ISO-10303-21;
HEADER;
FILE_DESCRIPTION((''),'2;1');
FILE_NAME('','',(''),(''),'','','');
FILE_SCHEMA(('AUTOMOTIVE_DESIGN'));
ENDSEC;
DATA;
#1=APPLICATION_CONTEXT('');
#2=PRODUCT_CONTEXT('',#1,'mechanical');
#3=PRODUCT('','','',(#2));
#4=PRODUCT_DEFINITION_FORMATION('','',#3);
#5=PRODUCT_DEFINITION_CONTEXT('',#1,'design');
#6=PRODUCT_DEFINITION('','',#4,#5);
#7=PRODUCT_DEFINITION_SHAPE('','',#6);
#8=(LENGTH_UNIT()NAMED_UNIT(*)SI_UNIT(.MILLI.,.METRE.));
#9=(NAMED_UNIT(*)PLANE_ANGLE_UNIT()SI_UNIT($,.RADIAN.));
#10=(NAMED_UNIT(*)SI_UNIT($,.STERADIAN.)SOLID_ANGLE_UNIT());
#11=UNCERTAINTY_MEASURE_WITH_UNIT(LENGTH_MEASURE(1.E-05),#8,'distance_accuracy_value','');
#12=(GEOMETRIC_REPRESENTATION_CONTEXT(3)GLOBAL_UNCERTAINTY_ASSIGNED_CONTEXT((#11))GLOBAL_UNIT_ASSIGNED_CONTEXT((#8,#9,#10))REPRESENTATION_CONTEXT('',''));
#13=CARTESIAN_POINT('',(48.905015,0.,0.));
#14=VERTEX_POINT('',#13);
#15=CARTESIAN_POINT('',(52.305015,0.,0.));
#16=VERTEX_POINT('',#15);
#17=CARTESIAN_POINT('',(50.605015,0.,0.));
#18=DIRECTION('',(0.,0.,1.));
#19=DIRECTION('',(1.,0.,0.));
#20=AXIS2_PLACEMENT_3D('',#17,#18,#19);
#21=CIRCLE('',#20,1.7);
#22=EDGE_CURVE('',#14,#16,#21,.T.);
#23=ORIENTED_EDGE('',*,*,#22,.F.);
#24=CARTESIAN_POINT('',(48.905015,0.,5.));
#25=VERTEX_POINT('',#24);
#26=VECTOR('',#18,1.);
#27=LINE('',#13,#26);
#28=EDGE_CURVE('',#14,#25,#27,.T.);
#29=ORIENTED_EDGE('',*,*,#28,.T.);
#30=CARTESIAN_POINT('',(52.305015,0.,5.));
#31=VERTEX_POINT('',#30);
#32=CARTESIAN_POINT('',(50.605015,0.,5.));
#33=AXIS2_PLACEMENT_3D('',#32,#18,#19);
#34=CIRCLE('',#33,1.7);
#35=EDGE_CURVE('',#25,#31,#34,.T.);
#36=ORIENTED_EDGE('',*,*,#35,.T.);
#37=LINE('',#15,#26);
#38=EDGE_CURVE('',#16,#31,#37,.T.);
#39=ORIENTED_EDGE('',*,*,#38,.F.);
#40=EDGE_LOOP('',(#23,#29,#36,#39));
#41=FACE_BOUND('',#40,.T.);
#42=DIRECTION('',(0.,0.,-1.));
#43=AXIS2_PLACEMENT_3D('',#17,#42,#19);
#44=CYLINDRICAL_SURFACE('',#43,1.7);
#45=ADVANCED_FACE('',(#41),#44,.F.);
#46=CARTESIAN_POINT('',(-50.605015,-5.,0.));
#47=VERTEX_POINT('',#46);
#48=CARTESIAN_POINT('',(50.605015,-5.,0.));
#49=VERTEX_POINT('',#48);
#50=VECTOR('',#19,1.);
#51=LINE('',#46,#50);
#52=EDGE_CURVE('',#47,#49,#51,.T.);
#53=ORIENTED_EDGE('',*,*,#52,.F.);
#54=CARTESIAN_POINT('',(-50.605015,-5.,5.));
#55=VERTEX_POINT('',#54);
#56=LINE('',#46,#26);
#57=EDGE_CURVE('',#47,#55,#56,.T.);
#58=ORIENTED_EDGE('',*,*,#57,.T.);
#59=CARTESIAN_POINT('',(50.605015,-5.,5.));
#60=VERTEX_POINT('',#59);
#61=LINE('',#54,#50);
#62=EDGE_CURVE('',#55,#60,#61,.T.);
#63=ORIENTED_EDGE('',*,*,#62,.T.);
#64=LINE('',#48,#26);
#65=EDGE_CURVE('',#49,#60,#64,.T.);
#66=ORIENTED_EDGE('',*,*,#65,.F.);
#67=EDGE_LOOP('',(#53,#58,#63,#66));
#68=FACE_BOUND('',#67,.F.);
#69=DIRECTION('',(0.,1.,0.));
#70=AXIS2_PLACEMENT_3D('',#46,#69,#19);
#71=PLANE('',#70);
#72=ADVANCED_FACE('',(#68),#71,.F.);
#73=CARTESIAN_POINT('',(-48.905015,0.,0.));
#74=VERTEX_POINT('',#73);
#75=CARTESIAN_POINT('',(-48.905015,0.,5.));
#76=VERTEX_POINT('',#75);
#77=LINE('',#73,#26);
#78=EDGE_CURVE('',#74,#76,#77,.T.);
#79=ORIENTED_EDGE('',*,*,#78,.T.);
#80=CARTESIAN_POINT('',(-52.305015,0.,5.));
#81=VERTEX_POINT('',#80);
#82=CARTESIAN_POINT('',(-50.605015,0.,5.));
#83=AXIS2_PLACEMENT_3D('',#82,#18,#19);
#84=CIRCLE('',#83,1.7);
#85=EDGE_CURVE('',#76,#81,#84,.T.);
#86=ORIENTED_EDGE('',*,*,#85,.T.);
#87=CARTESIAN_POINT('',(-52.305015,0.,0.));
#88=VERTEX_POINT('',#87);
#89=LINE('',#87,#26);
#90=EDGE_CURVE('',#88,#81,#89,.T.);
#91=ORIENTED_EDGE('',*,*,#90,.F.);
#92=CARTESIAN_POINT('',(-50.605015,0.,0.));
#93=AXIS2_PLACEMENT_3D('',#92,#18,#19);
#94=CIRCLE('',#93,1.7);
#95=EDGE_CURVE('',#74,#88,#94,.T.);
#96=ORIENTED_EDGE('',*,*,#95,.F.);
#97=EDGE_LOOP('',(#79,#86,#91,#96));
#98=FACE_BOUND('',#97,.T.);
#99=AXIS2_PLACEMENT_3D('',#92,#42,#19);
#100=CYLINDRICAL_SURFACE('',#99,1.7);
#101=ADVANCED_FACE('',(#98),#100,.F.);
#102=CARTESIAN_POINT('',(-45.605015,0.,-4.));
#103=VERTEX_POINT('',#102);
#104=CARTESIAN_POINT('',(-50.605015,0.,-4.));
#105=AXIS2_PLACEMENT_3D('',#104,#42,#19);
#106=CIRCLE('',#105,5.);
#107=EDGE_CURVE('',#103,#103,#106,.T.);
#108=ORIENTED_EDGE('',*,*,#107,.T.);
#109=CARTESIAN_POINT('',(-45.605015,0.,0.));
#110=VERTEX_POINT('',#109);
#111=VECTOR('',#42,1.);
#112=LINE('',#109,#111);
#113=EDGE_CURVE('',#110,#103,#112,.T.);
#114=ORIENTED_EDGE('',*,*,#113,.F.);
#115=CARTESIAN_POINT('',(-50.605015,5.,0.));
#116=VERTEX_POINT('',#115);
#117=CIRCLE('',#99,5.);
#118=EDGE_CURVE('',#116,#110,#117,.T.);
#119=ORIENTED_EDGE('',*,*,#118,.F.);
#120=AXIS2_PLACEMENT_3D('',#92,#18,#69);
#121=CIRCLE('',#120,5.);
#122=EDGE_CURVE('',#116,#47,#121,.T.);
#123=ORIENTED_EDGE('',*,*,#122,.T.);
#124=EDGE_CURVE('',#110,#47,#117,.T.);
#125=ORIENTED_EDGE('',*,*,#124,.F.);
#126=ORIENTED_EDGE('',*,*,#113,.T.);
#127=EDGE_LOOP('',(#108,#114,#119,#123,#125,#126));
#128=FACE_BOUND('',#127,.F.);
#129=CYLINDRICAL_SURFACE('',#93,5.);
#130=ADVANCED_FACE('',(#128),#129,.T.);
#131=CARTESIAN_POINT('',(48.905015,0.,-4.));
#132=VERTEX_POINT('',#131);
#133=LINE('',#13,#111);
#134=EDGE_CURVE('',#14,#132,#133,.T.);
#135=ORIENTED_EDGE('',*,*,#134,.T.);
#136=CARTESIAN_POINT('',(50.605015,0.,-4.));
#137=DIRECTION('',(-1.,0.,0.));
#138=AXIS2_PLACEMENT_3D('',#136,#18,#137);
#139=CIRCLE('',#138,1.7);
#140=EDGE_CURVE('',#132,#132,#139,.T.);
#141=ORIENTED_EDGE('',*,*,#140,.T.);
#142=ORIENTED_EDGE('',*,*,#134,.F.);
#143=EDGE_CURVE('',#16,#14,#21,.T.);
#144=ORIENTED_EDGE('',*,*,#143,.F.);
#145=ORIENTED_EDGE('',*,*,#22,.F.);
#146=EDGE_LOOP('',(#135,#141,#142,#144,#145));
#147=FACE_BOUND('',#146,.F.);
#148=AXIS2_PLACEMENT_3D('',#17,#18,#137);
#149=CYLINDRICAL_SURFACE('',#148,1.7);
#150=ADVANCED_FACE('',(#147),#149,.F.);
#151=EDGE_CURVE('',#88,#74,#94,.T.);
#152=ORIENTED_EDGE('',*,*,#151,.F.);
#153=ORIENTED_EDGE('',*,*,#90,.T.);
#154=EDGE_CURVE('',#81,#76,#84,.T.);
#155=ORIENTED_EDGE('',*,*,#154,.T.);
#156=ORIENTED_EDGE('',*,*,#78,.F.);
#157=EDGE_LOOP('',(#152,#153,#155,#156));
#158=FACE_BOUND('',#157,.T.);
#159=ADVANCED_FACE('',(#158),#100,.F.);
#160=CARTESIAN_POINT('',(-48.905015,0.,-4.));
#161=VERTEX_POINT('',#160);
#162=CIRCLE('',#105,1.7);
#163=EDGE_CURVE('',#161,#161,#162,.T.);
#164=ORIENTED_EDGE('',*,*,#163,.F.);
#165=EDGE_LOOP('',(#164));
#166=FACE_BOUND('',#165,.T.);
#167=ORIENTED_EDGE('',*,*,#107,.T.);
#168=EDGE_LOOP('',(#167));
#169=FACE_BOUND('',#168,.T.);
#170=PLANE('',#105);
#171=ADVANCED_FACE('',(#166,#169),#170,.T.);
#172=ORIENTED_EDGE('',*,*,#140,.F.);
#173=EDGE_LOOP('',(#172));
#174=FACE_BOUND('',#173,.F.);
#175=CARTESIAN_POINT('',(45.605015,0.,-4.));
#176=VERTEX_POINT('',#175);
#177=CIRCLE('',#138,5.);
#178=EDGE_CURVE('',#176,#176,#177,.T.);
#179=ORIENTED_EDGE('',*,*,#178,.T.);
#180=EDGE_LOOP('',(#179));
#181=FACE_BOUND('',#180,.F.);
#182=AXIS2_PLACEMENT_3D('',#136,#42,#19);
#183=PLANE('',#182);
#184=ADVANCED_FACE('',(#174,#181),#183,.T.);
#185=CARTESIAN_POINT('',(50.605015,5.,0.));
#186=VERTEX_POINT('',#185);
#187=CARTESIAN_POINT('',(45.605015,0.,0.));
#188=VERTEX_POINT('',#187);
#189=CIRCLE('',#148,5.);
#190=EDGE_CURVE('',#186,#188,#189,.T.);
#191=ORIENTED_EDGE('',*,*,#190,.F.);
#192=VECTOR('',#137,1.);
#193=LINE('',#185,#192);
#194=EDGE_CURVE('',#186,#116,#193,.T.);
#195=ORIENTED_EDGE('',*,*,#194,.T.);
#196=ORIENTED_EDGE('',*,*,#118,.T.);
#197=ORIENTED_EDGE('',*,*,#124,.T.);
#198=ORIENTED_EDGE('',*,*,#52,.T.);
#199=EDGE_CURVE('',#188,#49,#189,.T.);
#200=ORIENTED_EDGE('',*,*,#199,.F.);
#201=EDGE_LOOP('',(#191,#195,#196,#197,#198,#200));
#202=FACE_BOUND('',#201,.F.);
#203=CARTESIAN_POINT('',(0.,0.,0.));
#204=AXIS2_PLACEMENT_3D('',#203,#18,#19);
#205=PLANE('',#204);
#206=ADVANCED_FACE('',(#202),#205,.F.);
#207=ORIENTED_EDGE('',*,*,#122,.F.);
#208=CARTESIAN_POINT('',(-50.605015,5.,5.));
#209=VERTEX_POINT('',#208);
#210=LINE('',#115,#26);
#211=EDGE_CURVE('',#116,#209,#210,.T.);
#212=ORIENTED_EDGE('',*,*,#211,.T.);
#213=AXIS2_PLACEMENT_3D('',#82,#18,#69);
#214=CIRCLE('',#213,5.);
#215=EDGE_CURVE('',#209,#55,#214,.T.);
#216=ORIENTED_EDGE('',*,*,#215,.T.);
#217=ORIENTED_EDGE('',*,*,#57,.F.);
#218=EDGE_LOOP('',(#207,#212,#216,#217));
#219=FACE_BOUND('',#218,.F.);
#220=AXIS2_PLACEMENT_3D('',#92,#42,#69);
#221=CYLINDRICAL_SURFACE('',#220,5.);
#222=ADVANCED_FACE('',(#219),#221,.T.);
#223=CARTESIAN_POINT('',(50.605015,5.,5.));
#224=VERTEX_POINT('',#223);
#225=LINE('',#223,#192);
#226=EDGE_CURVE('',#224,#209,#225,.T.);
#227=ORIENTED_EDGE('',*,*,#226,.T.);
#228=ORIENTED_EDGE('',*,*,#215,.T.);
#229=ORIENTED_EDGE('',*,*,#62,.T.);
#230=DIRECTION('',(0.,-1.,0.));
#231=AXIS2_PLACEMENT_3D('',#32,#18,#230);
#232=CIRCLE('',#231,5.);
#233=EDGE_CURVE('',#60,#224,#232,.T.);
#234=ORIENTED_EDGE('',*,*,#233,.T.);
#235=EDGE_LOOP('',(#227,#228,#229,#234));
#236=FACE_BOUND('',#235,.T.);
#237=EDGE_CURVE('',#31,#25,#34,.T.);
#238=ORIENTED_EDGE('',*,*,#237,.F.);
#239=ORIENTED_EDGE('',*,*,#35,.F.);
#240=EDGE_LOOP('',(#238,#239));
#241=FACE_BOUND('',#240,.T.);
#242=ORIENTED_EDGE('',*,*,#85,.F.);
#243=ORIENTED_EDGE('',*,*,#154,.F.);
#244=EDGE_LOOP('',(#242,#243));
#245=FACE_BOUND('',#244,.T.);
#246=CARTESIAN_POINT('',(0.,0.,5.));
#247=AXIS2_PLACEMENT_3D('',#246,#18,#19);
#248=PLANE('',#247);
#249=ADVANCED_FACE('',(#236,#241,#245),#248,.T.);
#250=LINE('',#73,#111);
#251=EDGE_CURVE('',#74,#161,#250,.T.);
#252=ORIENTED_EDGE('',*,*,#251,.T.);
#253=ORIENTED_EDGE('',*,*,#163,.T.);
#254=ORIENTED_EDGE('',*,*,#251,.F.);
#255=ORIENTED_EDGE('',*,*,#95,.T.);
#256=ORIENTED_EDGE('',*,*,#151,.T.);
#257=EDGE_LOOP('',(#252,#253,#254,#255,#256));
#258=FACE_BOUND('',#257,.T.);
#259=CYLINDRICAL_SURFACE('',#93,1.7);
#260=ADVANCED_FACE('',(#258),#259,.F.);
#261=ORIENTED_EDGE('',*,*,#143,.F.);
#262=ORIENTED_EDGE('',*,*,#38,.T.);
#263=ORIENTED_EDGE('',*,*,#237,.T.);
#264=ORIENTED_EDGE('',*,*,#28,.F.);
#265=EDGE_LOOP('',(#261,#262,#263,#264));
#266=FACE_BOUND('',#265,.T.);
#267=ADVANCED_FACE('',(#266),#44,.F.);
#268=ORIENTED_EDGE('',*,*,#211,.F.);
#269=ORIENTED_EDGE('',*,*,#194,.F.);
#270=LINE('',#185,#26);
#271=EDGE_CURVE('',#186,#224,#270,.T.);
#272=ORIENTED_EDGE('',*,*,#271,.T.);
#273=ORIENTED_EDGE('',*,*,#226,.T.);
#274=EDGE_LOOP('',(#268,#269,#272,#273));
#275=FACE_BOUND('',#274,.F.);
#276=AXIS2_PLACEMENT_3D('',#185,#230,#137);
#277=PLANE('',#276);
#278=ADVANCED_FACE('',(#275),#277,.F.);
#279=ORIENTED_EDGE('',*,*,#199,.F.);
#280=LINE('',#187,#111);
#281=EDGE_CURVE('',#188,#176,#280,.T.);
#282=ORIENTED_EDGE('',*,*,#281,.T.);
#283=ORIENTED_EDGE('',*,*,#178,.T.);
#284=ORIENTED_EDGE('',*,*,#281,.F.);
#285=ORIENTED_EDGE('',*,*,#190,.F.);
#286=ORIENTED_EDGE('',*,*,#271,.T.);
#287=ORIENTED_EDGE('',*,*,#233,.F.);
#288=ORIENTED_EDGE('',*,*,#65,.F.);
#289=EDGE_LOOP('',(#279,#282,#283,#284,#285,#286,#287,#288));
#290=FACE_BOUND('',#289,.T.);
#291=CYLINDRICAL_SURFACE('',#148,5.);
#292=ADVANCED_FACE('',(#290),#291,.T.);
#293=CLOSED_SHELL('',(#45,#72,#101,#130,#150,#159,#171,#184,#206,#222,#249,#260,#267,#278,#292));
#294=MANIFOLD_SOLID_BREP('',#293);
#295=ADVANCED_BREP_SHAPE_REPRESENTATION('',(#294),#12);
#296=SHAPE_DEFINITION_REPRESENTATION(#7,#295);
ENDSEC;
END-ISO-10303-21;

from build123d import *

# Parameters (mm, degrees)
F0_R     = 1.7
F1_DEPTH = 5
F2_R     = 5
F2_R_2   = 1.7
F3_DEPTH = 4


with BuildPart() as f1:
    # F0 (on Top) → F1 (new body)
    with BuildSketch(Plane.XY):
        with BuildLine():
            Line((-50.605015, -5), (50.605015, -5))
            ThreePointArc((50.605015, -5), (55.605015, 0), (50.605015, 5))
            Line((50.605015, 5), (-50.605015, 5))
            ThreePointArc((-50.605015, 5), (-55.605015, 0), (-50.605015, -5))
        make_face()
        with Locations((-50.605015, 0)):
            Circle(F0_R, mode=Mode.SUBTRACT)
        with Locations((50.605015, 0)):
            Circle(F0_R, mode=Mode.SUBTRACT)
    extrude(amount=F1_DEPTH)

    # F2 (on face) → F3 (join)
    with BuildSketch(Plane(origin=(0, 0, 0), x_dir=(1, 0, 0), z_dir=(0, 0, -1))):
        with Locations((-50.605015, 0)):
            Circle(F2_R)
        with Locations((-50.605015, 0)):
            Circle(F2_R_2, mode=Mode.SUBTRACT)
    extrude(amount=F3_DEPTH)

    # F4: F1 across plane


with BuildPart() as f1_1:
    add(f1.part)
    add(f1.part.mirror(Plane.YZ))


solid = f1_1.part
